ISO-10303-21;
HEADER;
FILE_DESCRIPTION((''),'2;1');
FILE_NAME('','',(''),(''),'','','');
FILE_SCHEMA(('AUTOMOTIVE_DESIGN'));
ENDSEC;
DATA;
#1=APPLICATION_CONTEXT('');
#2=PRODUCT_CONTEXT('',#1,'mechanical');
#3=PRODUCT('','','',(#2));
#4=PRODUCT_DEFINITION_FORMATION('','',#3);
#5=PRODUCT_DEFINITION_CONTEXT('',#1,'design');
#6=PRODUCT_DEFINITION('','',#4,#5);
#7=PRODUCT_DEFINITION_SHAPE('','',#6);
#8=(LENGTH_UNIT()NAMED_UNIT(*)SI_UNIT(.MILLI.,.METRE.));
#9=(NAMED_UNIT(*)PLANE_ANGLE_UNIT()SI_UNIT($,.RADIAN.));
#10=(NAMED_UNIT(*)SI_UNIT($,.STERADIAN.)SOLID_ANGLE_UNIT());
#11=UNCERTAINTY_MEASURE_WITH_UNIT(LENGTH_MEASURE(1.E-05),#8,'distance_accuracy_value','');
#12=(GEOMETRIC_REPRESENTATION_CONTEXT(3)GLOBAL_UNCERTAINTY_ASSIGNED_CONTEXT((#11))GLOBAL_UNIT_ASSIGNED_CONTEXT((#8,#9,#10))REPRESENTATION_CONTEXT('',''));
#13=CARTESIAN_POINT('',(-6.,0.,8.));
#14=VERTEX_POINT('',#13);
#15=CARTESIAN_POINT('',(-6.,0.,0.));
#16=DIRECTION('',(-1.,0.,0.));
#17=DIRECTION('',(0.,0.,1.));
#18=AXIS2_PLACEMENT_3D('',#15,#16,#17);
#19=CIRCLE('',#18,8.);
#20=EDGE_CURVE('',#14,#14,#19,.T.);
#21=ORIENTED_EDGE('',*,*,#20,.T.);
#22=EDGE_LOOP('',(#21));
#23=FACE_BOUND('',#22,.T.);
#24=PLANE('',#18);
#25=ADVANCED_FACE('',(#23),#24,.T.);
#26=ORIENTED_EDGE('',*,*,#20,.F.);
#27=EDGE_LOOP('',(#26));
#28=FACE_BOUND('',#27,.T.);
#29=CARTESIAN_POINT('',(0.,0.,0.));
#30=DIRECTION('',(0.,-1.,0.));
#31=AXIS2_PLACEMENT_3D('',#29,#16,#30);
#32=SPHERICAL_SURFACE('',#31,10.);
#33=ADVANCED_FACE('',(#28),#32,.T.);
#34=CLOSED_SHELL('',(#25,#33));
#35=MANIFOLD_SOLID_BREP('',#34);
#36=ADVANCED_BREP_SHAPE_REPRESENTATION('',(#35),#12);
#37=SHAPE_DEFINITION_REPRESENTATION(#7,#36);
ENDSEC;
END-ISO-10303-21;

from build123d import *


with BuildPart() as part:
    # Эскиз5 → Повернуть2 (revolve)
    with BuildSketch(Plane.XY):
        with BuildLine():
            Line((0, 0), (10, 0))
            ThreePointArc((10, 0), (4.472135955, -8.94427191), (-6, -8))
            Line((-6, -8), (-6, 0))
            Line((-6, 0), (0, 0))
        make_face()
    revolve(axis=Axis((0, 0, 0), (1, 0, 0)))


solid = part.part
